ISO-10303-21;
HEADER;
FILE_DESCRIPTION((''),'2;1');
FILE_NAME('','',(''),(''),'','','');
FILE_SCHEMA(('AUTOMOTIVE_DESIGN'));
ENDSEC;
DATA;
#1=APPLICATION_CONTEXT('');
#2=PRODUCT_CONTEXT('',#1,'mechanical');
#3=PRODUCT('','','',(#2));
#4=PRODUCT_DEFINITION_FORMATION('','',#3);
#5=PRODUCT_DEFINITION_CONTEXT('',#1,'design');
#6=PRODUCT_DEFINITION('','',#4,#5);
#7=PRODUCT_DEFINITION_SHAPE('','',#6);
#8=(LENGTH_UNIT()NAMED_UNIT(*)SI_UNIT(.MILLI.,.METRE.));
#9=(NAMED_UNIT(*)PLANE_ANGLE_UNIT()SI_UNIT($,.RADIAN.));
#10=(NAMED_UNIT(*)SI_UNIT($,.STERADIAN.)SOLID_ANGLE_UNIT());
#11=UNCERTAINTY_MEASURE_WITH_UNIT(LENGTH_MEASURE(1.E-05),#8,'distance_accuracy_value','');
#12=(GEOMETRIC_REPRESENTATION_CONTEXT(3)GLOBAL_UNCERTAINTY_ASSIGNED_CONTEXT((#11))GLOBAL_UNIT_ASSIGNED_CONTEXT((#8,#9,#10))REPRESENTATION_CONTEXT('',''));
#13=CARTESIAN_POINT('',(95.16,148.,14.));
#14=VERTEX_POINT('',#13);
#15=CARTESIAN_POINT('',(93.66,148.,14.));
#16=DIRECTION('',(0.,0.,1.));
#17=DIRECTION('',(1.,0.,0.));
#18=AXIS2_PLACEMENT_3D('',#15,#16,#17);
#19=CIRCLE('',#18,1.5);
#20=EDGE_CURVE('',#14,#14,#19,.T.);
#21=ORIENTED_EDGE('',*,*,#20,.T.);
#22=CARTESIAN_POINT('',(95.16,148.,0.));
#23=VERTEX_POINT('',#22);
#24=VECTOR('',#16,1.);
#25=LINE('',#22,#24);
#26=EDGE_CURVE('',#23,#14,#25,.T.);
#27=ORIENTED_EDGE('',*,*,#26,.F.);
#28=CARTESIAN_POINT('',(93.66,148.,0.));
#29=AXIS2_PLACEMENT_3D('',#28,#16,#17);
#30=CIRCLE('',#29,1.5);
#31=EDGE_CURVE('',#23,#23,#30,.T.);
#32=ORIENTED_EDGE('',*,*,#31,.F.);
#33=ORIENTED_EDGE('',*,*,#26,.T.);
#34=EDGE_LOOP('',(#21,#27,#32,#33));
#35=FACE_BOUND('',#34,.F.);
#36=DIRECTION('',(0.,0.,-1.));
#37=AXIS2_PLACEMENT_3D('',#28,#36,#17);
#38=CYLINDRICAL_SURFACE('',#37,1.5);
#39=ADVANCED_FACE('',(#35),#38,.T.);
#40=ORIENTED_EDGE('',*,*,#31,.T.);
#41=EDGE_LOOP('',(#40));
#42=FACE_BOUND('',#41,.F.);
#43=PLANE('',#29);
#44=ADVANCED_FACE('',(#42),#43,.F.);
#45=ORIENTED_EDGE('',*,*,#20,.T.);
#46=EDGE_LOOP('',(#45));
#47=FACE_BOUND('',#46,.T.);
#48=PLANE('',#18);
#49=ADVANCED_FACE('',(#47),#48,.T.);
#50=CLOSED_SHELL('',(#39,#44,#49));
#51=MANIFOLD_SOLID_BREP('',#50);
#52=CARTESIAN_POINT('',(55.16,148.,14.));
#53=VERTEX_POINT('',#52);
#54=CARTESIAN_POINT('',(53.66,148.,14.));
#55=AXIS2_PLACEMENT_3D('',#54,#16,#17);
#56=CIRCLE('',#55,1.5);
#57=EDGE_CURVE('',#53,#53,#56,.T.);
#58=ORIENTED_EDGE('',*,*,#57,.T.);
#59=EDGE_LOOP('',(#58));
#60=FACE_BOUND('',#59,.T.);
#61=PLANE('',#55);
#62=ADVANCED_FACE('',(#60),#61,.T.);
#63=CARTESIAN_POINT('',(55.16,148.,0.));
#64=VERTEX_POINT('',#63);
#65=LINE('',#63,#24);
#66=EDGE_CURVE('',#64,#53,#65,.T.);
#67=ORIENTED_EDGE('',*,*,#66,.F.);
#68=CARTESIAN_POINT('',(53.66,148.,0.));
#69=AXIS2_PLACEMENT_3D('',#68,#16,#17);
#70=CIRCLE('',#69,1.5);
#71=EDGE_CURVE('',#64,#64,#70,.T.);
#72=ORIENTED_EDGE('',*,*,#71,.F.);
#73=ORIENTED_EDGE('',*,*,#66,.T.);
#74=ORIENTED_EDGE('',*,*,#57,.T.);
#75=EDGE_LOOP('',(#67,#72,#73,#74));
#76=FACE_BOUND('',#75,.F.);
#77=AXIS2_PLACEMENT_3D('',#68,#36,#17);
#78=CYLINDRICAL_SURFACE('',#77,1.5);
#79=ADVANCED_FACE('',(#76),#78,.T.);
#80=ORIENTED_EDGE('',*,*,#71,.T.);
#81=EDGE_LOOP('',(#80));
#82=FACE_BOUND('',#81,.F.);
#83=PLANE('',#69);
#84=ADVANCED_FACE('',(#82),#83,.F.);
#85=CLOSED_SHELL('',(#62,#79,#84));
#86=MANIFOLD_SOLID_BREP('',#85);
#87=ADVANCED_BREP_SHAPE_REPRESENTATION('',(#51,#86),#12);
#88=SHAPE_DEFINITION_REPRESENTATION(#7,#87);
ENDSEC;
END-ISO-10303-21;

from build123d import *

# Parameters (mm, degrees)
CYLINDER091_R     = 1.5
CYLINDER091_DEPTH = 14
CYLINDER092_R     = 1.5
CYLINDER092_DEPTH = 14


with BuildPart() as ftthreaded2:
    # Cylinder091 → Cylinder091 (new body)
    with BuildSketch(Plane(origin=(53.66, 148, 0), x_dir=(1, 0, 0), z_dir=(0, 0, 1))):
        Circle(CYLINDER091_R)
    extrude(amount=CYLINDER091_DEPTH)


with BuildPart() as ftinsulatormount1:
    # Cylinder092 → Cylinder092 (new body)
    with BuildSketch(Plane(origin=(93.66, 148, 0), x_dir=(1, 0, 0), z_dir=(0, 0, 1))):
        Circle(CYLINDER092_R)
    extrude(amount=CYLINDER092_DEPTH)

    # Fusion040: union FTThreaded2
    add(ftthreaded2.part)


solid = ftinsulatormount1.part
